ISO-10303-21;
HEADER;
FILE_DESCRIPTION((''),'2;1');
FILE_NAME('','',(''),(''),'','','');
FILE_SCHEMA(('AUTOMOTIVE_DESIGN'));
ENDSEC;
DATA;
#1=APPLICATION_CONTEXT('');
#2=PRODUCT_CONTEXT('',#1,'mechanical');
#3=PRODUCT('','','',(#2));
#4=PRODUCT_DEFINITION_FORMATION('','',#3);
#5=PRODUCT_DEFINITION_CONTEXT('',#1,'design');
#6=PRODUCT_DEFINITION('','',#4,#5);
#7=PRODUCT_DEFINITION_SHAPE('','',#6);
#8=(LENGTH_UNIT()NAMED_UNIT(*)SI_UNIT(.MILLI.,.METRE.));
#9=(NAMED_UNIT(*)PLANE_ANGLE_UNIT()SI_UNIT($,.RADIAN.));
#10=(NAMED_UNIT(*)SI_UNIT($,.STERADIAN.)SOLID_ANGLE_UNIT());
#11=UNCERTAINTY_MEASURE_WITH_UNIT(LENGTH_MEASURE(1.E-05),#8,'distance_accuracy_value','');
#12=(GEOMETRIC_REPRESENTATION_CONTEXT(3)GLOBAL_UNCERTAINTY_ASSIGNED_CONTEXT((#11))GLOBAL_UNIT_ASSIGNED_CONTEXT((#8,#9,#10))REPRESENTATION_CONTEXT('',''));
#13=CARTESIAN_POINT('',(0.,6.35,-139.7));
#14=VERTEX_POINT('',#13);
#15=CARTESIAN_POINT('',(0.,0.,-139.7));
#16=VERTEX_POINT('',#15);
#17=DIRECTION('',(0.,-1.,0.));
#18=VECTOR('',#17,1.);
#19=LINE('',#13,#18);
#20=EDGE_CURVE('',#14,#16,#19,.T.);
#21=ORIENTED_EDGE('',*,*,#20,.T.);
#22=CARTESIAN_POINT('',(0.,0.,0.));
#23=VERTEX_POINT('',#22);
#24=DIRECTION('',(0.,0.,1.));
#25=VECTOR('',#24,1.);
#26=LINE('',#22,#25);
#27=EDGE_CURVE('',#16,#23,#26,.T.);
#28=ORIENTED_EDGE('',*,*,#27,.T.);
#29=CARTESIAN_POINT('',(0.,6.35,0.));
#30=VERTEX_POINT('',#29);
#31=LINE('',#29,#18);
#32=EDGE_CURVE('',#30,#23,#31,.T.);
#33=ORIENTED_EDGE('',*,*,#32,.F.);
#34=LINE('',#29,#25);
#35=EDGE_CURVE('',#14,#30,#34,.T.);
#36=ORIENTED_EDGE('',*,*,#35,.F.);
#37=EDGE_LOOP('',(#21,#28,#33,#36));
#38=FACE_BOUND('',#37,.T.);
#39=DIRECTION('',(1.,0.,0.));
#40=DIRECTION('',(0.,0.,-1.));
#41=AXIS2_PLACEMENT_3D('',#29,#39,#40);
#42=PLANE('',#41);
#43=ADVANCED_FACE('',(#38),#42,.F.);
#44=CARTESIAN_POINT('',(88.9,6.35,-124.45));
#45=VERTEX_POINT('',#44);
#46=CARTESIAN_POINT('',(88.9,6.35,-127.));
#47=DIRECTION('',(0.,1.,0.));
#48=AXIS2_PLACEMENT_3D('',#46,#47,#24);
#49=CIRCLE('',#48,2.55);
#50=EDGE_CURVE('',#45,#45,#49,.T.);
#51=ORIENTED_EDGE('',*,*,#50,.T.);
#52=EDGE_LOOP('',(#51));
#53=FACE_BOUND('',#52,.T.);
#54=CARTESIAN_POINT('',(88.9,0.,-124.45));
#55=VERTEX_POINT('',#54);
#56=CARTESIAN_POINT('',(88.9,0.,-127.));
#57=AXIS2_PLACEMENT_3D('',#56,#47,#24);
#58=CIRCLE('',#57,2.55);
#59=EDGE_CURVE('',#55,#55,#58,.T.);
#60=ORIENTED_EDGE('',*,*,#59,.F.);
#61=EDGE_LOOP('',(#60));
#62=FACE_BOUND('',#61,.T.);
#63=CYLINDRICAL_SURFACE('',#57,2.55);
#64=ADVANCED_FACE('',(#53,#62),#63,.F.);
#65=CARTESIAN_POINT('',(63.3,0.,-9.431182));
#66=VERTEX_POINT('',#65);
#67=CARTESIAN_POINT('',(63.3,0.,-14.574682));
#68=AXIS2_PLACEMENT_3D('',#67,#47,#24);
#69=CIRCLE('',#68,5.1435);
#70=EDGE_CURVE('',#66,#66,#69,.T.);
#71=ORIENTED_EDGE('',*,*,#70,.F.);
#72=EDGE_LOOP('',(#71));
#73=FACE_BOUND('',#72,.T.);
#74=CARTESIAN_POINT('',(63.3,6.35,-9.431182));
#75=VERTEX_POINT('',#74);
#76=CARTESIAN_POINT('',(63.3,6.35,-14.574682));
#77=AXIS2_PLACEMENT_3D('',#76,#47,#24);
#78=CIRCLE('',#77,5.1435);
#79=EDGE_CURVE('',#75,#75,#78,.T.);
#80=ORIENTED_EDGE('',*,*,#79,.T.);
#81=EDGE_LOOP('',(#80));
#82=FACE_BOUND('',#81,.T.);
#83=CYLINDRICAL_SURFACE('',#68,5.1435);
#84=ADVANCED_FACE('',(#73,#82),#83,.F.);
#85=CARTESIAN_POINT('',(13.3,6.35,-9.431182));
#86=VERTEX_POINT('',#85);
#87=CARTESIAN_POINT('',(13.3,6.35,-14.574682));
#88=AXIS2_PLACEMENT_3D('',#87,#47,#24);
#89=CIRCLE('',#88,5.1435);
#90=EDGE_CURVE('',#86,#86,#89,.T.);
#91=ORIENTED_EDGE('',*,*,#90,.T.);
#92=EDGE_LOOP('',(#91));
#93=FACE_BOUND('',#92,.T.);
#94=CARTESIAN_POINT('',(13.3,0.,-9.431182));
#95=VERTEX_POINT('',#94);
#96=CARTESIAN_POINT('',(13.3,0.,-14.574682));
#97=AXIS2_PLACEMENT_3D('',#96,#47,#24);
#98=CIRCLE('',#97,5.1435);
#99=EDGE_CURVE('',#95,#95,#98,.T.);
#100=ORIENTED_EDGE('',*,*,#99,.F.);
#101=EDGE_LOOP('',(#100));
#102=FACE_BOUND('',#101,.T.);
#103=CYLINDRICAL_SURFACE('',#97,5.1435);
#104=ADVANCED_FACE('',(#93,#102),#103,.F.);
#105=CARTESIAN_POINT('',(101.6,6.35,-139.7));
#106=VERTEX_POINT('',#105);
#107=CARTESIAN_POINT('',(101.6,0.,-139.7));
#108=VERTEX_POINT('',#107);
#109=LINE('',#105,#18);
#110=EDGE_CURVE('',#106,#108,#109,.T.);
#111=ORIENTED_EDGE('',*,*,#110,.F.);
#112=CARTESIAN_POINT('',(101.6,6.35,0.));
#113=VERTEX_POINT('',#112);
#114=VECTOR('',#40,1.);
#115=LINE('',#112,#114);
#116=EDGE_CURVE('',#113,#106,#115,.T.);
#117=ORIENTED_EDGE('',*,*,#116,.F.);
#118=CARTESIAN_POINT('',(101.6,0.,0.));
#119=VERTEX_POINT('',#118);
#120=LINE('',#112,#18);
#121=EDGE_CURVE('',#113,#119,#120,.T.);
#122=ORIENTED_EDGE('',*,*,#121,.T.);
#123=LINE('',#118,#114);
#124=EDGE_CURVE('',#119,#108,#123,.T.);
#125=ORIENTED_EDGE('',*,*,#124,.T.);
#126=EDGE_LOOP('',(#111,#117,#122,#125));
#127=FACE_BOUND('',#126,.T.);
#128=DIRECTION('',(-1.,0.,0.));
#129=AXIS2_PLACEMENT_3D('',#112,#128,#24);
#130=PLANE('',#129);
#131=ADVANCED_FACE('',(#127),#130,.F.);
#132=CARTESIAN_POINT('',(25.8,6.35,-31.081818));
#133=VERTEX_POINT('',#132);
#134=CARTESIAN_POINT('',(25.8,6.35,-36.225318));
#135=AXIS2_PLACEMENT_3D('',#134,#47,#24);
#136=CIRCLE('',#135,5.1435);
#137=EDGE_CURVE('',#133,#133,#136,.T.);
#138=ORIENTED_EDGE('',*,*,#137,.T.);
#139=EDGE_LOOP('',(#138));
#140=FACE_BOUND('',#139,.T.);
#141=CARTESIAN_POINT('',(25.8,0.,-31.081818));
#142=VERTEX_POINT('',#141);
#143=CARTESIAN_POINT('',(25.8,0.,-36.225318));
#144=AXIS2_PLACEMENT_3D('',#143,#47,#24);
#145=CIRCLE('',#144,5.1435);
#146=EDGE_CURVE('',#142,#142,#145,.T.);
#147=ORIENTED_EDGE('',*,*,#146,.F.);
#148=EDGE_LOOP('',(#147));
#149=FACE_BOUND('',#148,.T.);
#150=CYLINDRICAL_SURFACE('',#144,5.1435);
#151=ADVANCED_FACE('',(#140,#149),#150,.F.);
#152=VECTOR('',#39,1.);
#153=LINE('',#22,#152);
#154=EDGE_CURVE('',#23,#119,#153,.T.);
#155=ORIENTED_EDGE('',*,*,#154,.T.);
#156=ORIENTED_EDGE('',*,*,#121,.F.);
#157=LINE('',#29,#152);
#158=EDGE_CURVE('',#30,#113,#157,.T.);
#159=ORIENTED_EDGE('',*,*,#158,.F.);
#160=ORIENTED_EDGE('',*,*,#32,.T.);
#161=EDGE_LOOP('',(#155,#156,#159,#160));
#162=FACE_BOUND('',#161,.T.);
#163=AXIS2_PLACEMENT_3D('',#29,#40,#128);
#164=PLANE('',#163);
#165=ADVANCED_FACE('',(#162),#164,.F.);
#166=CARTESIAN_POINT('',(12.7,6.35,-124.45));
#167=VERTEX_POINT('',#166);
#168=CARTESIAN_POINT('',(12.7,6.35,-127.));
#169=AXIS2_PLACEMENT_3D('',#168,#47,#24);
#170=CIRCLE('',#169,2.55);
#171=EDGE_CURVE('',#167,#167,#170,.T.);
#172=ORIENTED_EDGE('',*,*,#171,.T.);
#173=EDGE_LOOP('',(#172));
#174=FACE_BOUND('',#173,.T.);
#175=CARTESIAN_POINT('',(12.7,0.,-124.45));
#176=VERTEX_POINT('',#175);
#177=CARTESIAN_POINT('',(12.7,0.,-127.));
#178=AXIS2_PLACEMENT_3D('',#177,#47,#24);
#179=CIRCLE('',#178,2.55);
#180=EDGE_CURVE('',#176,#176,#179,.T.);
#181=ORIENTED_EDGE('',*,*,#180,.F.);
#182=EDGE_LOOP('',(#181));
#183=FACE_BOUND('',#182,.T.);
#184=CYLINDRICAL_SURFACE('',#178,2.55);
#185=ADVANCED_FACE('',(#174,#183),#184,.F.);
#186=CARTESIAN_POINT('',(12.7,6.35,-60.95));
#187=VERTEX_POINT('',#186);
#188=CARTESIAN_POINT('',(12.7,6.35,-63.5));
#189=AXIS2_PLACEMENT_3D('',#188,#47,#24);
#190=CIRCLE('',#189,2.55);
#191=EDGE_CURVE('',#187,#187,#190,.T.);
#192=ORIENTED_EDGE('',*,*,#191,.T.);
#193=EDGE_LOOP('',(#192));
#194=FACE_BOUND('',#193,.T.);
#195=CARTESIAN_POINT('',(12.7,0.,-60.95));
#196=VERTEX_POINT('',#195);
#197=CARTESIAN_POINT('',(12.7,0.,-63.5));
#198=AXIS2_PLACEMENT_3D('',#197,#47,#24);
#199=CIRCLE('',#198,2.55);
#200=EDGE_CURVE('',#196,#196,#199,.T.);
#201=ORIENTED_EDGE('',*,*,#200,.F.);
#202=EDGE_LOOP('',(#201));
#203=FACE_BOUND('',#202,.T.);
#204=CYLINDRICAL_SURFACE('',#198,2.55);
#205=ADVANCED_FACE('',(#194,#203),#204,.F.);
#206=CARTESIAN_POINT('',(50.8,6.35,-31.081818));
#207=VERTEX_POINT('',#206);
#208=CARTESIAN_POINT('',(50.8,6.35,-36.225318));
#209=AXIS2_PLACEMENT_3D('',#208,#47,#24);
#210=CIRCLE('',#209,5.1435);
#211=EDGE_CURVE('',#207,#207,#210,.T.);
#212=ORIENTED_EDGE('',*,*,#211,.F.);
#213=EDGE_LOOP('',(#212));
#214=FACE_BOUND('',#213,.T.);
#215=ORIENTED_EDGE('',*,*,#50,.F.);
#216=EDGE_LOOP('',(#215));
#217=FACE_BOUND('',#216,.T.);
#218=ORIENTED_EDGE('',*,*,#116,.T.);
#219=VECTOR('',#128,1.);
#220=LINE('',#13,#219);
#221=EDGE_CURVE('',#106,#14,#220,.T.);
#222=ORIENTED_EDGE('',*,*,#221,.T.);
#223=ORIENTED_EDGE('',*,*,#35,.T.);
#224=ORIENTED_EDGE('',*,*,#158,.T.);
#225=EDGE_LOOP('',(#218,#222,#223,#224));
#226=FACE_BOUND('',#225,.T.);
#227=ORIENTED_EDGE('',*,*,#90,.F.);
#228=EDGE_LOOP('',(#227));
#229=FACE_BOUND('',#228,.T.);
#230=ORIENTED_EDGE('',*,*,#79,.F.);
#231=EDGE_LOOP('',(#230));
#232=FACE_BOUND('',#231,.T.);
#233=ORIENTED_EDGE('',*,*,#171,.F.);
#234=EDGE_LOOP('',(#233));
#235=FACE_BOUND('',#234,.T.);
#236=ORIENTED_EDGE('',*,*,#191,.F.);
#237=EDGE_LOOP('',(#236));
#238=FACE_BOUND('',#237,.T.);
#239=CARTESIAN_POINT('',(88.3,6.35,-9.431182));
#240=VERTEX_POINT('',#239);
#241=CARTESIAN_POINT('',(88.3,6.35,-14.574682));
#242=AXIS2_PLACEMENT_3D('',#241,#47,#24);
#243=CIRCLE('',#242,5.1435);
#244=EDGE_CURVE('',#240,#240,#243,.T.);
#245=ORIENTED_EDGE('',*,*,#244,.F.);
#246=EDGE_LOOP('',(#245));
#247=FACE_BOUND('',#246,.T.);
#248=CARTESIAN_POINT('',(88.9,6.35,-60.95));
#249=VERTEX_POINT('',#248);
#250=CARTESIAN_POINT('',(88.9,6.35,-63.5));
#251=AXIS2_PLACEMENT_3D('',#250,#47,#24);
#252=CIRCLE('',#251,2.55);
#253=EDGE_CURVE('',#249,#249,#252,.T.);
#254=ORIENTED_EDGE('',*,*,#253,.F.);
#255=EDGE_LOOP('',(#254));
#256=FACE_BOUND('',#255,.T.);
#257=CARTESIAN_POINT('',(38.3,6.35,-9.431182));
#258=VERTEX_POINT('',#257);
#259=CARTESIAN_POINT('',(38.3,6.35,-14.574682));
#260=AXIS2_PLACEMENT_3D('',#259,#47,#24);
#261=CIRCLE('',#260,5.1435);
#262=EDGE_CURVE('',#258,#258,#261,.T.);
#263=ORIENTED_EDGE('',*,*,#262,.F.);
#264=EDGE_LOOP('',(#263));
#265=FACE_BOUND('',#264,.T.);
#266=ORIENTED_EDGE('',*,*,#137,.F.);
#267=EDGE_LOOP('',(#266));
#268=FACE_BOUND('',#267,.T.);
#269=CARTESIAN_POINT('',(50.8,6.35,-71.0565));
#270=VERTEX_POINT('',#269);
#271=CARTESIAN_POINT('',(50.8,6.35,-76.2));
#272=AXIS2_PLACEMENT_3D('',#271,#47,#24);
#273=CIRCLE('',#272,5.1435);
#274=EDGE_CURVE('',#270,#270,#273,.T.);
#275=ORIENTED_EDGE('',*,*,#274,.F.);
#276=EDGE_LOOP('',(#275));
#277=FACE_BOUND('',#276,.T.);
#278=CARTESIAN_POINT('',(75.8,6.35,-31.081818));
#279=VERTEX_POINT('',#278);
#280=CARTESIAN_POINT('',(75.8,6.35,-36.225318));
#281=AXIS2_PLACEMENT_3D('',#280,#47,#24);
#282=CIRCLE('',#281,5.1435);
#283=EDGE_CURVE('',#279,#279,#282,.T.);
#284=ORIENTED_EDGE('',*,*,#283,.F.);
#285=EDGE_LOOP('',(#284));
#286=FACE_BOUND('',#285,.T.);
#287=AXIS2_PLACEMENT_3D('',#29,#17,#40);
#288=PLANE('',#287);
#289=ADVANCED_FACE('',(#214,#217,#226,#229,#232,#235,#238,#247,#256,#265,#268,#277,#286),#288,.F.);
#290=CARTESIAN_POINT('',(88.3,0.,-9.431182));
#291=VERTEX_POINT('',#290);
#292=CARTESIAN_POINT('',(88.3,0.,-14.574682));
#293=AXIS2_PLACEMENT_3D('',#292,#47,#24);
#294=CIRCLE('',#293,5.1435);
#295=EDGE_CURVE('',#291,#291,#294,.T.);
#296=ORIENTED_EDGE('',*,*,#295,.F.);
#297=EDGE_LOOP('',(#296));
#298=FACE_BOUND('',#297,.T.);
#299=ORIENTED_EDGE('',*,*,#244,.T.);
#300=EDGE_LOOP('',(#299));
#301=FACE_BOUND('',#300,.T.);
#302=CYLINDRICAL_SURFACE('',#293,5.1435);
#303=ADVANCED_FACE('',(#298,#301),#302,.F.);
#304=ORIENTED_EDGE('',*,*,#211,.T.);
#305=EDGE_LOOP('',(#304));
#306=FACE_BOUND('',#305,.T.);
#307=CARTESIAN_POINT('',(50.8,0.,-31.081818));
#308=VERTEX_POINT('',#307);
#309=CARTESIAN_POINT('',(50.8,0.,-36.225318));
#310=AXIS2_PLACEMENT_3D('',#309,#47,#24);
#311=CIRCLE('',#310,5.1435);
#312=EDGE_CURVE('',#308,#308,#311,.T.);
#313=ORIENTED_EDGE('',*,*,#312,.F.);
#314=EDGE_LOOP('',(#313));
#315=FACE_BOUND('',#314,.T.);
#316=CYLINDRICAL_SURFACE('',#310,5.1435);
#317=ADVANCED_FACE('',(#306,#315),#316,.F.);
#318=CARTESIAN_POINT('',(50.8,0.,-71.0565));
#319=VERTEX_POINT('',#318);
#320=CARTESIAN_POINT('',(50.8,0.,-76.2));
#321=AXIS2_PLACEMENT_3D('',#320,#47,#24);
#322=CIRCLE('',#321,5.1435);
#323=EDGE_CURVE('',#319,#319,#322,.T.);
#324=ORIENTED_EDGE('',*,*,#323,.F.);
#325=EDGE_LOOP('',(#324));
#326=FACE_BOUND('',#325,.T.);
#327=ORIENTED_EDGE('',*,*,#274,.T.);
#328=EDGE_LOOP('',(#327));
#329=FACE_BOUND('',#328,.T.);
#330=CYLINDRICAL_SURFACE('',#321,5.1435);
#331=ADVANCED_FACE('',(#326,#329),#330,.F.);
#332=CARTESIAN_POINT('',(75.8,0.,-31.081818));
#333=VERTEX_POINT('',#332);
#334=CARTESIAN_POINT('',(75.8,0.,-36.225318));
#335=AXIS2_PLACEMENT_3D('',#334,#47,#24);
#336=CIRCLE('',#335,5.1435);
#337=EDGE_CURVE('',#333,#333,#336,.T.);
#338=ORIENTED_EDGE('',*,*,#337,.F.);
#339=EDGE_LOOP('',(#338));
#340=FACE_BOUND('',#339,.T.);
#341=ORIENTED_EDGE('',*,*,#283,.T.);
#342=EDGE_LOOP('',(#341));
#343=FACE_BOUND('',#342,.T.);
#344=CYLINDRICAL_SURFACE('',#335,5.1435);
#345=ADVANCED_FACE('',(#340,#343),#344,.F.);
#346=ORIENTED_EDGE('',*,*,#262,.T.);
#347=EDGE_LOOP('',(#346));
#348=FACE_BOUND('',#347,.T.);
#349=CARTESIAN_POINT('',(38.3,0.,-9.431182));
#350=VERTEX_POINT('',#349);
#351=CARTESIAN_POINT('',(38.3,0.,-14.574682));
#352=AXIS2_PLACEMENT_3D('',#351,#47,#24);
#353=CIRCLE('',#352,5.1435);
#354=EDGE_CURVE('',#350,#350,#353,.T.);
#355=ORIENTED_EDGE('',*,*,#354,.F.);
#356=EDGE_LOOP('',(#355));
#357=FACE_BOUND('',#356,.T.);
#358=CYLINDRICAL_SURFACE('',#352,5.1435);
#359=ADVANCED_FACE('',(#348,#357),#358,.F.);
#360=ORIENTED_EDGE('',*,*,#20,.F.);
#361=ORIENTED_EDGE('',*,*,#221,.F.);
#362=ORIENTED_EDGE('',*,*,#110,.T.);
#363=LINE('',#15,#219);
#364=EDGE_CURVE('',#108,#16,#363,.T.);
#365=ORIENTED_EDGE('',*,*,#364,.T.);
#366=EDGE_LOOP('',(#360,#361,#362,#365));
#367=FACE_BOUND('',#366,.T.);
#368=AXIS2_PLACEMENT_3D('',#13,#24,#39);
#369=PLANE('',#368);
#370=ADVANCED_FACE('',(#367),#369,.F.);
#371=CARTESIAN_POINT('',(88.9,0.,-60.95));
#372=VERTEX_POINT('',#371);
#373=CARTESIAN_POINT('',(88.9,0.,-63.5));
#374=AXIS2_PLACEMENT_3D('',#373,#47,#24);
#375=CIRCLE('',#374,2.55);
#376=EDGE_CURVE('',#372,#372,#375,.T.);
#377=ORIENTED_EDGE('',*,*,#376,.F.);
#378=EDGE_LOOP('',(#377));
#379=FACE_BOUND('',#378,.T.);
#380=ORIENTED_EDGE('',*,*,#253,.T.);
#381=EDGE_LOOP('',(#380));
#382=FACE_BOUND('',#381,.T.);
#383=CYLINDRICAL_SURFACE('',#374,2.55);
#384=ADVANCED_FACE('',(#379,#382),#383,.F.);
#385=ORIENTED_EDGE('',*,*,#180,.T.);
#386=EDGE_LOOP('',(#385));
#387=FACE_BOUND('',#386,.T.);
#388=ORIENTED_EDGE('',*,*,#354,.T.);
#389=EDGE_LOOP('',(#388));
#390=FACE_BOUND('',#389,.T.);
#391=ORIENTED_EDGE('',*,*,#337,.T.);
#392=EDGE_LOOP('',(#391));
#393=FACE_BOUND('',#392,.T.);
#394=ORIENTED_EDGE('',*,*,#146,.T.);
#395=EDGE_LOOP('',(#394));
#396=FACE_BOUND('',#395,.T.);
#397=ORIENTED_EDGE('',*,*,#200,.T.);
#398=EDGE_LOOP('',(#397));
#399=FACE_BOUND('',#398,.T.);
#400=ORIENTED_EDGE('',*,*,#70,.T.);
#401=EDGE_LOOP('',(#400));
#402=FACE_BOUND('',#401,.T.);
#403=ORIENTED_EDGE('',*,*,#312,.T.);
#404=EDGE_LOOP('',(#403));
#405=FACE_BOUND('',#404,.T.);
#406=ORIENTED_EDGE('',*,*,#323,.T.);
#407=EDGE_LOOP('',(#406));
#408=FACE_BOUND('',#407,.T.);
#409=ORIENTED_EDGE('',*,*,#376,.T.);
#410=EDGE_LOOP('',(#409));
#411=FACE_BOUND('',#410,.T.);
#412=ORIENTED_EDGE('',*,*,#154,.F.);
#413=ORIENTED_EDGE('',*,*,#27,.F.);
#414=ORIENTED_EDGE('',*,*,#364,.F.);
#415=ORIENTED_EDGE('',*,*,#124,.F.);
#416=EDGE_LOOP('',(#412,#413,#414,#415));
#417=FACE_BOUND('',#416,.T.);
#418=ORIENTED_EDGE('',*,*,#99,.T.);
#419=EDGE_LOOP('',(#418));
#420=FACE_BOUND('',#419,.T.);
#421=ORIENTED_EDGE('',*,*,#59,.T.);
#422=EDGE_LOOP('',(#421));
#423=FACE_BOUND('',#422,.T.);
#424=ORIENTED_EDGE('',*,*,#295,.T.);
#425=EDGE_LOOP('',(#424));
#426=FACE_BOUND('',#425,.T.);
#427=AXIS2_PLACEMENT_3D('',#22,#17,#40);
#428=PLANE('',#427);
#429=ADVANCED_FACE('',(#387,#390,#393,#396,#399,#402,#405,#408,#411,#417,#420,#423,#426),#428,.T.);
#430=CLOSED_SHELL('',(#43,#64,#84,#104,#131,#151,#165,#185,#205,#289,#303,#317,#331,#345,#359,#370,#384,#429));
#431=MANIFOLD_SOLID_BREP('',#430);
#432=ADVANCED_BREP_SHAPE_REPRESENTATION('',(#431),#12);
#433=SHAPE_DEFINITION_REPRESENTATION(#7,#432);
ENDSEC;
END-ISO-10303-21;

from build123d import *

# Parameters (mm, degrees)
SKETCH1_W           = 101.6
SKETCH1_H           = 139.7
BOSS_EXTRUDE1_DEPTH = 6.35
SKETCH2_R           = 5.1435
SKETCH2_R_2         = 2.55
CUT_EXTRUDE1_DEPTH  = 7.35


with BuildPart() as part:
    # Sketch1 → Boss-Extrude1 (new body)
    with BuildSketch(Plane(origin=(0, 0, 0), x_dir=(1, 0, 0), z_dir=(0, 1, 0))):
        with Locations((50.8, 69.85)):
            Rectangle(SKETCH1_W, SKETCH1_H)
    extrude(amount=BOSS_EXTRUDE1_DEPTH)

    # Sketch2 → Cut-Extrude1 (cut, through all)
    with BuildSketch(Plane(origin=(0, 6.35, 0), x_dir=(1, 0, 0), z_dir=(0, 1, 0))):
        with Locations((13.3, 14.574682453)):
            Circle(SKETCH2_R)
        with Locations((38.3, 14.574682453)):
            Circle(SKETCH2_R)
        with Locations((63.3, 14.574682453)):
            Circle(SKETCH2_R)
        with Locations((88.3, 14.574682453)):
            Circle(SKETCH2_R)
        with Locations((75.8, 36.225317547)):
            Circle(SKETCH2_R)
        with Locations((50.8, 36.225317547)):
            Circle(SKETCH2_R)
        with Locations((25.8, 36.225317547)):
            Circle(SKETCH2_R)
        with Locations((12.7, 63.5)):
            Circle(SKETCH2_R_2)
        with Locations((12.7, 127)):
            Circle(SKETCH2_R_2)
        with Locations((88.9, 63.5)):
            Circle(SKETCH2_R_2)
        with Locations((88.9, 127)):
            Circle(SKETCH2_R_2)
        with Locations((50.8, 76.2)):
            Circle(SKETCH2_R)
    extrude(amount=-CUT_EXTRUDE1_DEPTH, mode=Mode.SUBTRACT)


solid = part.part
